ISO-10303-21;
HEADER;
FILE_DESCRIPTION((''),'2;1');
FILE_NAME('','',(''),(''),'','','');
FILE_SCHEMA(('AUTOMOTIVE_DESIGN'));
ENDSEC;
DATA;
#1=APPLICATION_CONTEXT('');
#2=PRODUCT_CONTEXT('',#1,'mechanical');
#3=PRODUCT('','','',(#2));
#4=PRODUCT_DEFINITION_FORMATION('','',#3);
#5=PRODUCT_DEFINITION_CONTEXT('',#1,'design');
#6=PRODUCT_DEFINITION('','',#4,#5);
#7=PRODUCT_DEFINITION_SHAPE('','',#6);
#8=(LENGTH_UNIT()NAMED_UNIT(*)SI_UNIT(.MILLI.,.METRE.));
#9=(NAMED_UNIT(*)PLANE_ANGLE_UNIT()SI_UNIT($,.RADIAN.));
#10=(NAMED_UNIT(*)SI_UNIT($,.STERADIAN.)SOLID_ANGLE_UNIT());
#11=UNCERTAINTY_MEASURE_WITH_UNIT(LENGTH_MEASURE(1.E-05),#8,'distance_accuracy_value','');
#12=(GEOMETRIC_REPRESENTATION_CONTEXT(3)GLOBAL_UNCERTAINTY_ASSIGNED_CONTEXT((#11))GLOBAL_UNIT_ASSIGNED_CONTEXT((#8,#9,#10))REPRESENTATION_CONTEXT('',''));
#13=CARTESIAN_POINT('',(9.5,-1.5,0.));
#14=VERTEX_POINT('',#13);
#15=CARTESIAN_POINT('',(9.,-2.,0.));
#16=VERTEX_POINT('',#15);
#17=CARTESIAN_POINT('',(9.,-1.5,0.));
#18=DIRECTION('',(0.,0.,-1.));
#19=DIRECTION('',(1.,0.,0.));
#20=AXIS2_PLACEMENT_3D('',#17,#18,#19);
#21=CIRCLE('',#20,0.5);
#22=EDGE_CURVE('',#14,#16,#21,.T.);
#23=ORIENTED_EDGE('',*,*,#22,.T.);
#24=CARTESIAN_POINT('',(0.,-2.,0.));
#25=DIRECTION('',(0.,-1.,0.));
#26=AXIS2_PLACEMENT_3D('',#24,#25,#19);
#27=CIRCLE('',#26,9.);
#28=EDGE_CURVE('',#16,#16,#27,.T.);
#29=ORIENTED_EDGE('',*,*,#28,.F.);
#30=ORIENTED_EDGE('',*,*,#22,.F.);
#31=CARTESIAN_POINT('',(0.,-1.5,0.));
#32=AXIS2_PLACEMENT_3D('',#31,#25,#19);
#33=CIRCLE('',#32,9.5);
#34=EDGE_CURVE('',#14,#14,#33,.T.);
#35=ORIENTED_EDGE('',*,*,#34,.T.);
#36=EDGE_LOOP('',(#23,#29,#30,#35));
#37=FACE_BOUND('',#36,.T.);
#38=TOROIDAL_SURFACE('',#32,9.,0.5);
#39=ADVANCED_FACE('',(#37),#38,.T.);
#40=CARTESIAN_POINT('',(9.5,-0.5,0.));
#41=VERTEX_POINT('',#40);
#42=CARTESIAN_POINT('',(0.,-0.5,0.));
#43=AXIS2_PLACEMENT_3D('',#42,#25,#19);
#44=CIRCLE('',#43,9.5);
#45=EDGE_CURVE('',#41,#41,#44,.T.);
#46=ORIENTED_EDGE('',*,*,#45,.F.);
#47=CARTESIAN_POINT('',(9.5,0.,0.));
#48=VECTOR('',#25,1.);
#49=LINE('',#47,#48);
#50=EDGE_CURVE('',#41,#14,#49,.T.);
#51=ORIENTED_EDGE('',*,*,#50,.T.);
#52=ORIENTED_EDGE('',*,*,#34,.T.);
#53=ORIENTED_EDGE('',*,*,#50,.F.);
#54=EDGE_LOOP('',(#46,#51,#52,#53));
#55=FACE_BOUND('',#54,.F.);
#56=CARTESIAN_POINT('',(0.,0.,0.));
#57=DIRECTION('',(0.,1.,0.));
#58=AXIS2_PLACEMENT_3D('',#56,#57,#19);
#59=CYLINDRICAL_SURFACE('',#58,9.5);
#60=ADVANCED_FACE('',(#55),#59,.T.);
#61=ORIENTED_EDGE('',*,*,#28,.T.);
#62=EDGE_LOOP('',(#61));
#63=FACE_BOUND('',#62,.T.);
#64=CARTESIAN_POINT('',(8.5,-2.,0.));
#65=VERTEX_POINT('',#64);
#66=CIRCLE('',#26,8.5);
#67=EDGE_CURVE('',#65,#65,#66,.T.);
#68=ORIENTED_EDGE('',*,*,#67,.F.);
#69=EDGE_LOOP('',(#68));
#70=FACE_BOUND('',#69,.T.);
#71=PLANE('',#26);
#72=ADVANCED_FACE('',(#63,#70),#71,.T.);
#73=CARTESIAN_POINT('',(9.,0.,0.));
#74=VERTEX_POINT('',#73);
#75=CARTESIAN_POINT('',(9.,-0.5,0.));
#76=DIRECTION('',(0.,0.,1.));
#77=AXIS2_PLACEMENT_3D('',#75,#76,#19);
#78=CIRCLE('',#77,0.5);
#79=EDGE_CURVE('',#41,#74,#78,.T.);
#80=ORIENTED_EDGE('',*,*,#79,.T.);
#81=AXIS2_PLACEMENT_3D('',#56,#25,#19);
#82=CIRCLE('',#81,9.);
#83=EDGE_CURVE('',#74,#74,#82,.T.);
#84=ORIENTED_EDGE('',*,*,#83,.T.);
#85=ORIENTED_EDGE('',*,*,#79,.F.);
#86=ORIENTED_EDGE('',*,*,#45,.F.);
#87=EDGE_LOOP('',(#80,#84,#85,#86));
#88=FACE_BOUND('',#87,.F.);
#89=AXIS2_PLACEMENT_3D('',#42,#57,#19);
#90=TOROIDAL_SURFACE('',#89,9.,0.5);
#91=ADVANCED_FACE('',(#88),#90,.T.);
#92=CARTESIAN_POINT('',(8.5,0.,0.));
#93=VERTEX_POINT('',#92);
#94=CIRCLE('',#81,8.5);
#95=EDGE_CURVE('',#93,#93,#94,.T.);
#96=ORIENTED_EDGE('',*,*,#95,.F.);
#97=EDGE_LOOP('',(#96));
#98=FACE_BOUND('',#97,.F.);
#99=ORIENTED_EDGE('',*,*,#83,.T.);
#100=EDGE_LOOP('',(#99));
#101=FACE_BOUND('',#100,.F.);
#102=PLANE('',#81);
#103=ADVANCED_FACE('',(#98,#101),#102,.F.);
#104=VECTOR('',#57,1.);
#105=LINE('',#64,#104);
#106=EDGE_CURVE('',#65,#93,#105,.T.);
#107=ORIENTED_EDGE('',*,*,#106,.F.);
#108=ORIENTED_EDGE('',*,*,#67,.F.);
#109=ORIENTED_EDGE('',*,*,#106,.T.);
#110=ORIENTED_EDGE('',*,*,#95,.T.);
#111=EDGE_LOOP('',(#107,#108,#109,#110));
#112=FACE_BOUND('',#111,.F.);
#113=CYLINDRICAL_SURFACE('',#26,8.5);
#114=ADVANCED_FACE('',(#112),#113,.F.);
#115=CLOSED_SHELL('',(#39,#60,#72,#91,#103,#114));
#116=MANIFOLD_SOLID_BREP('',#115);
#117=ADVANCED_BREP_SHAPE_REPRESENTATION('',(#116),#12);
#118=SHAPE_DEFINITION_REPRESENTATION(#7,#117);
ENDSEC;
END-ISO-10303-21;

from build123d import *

# Parameters (mm, degrees)
F0_R     = 9.5
F1_DEPTH = 2
F2_R     = 8.5
F3_DEPTH = 2.001
F4_R     = 0.5


with BuildPart() as f1:
    # F0 (on Front) → F1 (new body)
    with BuildSketch(Plane.XZ):
        Circle(F0_R)
    extrude(amount=F1_DEPTH)

    # F2 (on face) → F3 (cut, through all)
    with BuildSketch(Plane.XZ.offset(2)):
        Circle(F2_R)
    extrude(amount=-F3_DEPTH, mode=Mode.SUBTRACT)

    # F4
    f4_edges = [f1.edges().sort_by_distance(p)[0] for p in [
        (-9.5, -2, 0),
        (-9.5, 0, 0),
    ]]
    fillet(f4_edges, radius=F4_R)


solid = f1.part
